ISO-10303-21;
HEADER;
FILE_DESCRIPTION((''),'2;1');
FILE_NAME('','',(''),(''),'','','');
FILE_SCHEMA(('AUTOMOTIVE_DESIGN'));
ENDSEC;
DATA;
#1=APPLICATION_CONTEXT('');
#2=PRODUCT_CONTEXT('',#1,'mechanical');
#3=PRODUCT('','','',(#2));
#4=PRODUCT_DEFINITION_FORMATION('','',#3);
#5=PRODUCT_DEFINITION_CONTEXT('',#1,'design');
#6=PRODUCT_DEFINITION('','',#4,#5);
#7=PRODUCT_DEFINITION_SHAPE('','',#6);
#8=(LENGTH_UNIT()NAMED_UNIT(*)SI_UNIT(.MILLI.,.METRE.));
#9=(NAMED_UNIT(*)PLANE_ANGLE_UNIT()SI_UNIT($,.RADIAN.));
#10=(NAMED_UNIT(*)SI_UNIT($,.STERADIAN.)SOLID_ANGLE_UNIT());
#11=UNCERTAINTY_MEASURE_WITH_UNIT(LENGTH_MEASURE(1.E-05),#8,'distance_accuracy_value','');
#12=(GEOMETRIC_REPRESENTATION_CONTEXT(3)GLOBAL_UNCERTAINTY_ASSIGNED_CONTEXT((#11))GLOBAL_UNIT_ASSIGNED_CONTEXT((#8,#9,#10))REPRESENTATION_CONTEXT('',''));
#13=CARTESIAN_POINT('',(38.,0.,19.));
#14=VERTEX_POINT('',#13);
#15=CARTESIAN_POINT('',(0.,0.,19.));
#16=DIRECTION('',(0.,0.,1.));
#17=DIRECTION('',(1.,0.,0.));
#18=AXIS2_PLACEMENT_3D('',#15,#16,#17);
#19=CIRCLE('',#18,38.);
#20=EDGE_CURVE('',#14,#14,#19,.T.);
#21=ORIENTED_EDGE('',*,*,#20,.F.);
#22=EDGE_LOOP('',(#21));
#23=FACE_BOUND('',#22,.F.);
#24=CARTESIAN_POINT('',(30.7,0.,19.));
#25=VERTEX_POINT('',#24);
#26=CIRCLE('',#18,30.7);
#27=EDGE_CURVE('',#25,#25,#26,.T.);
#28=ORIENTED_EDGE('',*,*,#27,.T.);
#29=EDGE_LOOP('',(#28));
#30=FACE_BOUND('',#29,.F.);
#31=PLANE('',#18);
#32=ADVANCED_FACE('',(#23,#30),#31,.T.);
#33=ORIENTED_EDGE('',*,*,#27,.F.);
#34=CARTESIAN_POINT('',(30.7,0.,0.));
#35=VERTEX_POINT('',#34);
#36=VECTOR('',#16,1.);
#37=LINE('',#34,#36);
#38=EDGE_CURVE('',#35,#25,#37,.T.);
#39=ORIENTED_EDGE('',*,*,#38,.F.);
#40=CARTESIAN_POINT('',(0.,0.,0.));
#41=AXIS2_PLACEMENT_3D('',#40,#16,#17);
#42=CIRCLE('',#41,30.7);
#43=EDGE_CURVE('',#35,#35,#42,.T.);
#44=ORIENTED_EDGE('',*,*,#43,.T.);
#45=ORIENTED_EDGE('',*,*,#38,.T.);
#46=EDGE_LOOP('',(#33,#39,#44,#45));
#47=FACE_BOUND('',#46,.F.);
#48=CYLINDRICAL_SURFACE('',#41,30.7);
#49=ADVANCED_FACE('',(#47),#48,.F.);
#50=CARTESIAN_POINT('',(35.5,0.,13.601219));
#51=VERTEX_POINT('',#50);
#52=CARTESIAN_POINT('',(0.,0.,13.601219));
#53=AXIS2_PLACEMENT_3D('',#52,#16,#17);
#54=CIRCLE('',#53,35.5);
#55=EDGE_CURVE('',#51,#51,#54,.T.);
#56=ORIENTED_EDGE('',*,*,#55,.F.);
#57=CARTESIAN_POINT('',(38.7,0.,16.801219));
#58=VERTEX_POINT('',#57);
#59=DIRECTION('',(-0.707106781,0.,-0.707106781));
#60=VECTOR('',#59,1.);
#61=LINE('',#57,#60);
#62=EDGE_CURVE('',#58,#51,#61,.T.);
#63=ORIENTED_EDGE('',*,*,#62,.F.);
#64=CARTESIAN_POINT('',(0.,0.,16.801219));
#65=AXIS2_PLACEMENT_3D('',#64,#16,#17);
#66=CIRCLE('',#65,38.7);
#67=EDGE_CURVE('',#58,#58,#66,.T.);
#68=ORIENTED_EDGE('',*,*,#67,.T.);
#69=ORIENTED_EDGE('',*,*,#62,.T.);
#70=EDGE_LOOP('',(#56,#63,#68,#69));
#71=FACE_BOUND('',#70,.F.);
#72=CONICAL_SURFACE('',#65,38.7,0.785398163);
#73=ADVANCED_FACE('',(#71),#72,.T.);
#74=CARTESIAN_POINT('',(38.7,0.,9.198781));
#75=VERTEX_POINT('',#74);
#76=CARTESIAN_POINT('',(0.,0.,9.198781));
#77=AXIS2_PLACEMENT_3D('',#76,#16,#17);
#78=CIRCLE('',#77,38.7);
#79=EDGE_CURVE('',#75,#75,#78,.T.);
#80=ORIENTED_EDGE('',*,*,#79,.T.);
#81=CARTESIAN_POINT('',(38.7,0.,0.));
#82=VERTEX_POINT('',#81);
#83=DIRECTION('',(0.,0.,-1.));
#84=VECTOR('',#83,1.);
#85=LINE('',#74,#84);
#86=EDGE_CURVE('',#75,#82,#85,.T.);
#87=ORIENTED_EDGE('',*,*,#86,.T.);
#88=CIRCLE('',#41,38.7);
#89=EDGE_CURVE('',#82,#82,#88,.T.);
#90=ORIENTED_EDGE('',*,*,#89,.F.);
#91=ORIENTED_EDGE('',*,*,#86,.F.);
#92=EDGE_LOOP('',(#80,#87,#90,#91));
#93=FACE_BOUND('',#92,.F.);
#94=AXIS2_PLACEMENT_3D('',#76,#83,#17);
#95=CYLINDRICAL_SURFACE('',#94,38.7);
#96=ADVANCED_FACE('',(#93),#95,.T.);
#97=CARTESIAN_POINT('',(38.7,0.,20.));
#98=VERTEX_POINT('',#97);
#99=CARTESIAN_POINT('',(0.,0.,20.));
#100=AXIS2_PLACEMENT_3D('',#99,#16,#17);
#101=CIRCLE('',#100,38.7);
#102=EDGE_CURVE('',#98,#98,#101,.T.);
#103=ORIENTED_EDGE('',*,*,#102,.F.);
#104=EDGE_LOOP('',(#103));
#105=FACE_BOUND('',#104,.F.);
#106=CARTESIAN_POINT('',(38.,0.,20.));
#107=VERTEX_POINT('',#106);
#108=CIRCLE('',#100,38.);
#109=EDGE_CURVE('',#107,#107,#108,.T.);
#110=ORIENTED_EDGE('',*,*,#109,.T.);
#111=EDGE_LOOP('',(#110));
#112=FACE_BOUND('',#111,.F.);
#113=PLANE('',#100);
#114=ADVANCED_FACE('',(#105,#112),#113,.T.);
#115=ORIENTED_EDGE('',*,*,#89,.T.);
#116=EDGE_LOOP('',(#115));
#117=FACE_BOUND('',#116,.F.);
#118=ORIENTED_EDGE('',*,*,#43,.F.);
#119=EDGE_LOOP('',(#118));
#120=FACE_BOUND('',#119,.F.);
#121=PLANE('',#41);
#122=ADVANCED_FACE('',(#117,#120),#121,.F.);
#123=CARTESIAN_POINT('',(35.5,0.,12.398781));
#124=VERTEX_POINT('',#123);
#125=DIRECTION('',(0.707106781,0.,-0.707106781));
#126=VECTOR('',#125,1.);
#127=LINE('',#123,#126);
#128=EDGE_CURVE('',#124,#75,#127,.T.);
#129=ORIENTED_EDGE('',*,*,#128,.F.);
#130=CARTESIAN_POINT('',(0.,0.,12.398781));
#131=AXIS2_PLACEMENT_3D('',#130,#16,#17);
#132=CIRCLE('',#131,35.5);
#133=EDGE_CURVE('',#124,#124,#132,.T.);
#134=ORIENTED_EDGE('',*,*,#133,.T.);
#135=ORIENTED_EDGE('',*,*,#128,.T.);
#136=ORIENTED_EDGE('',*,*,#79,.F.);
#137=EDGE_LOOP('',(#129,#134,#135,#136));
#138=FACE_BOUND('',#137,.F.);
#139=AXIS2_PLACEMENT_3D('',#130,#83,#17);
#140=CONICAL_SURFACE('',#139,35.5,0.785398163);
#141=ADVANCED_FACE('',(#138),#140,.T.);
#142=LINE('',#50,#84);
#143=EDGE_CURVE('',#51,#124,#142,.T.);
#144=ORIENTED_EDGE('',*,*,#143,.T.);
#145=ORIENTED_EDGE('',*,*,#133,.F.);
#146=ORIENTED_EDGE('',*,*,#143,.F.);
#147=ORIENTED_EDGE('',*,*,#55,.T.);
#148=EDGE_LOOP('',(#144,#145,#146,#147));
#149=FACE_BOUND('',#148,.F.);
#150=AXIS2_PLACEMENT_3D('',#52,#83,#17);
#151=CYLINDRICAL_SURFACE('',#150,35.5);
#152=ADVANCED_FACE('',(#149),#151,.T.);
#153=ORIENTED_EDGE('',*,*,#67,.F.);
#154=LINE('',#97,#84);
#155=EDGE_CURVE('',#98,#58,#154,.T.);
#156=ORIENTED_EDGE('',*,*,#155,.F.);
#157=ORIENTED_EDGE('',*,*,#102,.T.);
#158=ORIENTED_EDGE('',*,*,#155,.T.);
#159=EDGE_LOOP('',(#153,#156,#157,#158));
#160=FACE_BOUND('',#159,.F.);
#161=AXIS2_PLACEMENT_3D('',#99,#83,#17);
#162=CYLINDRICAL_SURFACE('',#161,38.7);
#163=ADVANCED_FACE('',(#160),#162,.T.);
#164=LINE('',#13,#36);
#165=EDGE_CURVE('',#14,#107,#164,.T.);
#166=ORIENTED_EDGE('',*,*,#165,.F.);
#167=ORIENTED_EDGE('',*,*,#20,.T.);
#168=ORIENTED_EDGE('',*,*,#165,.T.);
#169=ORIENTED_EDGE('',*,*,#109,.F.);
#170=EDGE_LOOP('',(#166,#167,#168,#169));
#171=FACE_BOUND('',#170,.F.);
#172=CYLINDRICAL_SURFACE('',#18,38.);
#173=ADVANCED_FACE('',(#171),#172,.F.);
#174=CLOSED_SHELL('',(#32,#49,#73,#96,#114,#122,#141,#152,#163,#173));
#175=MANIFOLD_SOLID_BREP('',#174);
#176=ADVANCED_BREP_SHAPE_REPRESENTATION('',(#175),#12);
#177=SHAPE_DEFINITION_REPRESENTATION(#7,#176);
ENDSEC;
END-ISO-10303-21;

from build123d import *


with BuildPart() as part:
    # Sketch019 → Revolution (revolve)
    with BuildSketch(Plane.XZ):
        Polygon((38, 20), (38.7, 20), (38.7, 16.801219), (35.5, 13.601219), (35.5, 12.398781), (38.7, 9.198781), (38.7, 0), (30.7, 0), (30.7, 19), (38, 19), align=None)
    revolve(axis=Axis((0, 0, 0), (0, 0, 1)))


solid = part.part
